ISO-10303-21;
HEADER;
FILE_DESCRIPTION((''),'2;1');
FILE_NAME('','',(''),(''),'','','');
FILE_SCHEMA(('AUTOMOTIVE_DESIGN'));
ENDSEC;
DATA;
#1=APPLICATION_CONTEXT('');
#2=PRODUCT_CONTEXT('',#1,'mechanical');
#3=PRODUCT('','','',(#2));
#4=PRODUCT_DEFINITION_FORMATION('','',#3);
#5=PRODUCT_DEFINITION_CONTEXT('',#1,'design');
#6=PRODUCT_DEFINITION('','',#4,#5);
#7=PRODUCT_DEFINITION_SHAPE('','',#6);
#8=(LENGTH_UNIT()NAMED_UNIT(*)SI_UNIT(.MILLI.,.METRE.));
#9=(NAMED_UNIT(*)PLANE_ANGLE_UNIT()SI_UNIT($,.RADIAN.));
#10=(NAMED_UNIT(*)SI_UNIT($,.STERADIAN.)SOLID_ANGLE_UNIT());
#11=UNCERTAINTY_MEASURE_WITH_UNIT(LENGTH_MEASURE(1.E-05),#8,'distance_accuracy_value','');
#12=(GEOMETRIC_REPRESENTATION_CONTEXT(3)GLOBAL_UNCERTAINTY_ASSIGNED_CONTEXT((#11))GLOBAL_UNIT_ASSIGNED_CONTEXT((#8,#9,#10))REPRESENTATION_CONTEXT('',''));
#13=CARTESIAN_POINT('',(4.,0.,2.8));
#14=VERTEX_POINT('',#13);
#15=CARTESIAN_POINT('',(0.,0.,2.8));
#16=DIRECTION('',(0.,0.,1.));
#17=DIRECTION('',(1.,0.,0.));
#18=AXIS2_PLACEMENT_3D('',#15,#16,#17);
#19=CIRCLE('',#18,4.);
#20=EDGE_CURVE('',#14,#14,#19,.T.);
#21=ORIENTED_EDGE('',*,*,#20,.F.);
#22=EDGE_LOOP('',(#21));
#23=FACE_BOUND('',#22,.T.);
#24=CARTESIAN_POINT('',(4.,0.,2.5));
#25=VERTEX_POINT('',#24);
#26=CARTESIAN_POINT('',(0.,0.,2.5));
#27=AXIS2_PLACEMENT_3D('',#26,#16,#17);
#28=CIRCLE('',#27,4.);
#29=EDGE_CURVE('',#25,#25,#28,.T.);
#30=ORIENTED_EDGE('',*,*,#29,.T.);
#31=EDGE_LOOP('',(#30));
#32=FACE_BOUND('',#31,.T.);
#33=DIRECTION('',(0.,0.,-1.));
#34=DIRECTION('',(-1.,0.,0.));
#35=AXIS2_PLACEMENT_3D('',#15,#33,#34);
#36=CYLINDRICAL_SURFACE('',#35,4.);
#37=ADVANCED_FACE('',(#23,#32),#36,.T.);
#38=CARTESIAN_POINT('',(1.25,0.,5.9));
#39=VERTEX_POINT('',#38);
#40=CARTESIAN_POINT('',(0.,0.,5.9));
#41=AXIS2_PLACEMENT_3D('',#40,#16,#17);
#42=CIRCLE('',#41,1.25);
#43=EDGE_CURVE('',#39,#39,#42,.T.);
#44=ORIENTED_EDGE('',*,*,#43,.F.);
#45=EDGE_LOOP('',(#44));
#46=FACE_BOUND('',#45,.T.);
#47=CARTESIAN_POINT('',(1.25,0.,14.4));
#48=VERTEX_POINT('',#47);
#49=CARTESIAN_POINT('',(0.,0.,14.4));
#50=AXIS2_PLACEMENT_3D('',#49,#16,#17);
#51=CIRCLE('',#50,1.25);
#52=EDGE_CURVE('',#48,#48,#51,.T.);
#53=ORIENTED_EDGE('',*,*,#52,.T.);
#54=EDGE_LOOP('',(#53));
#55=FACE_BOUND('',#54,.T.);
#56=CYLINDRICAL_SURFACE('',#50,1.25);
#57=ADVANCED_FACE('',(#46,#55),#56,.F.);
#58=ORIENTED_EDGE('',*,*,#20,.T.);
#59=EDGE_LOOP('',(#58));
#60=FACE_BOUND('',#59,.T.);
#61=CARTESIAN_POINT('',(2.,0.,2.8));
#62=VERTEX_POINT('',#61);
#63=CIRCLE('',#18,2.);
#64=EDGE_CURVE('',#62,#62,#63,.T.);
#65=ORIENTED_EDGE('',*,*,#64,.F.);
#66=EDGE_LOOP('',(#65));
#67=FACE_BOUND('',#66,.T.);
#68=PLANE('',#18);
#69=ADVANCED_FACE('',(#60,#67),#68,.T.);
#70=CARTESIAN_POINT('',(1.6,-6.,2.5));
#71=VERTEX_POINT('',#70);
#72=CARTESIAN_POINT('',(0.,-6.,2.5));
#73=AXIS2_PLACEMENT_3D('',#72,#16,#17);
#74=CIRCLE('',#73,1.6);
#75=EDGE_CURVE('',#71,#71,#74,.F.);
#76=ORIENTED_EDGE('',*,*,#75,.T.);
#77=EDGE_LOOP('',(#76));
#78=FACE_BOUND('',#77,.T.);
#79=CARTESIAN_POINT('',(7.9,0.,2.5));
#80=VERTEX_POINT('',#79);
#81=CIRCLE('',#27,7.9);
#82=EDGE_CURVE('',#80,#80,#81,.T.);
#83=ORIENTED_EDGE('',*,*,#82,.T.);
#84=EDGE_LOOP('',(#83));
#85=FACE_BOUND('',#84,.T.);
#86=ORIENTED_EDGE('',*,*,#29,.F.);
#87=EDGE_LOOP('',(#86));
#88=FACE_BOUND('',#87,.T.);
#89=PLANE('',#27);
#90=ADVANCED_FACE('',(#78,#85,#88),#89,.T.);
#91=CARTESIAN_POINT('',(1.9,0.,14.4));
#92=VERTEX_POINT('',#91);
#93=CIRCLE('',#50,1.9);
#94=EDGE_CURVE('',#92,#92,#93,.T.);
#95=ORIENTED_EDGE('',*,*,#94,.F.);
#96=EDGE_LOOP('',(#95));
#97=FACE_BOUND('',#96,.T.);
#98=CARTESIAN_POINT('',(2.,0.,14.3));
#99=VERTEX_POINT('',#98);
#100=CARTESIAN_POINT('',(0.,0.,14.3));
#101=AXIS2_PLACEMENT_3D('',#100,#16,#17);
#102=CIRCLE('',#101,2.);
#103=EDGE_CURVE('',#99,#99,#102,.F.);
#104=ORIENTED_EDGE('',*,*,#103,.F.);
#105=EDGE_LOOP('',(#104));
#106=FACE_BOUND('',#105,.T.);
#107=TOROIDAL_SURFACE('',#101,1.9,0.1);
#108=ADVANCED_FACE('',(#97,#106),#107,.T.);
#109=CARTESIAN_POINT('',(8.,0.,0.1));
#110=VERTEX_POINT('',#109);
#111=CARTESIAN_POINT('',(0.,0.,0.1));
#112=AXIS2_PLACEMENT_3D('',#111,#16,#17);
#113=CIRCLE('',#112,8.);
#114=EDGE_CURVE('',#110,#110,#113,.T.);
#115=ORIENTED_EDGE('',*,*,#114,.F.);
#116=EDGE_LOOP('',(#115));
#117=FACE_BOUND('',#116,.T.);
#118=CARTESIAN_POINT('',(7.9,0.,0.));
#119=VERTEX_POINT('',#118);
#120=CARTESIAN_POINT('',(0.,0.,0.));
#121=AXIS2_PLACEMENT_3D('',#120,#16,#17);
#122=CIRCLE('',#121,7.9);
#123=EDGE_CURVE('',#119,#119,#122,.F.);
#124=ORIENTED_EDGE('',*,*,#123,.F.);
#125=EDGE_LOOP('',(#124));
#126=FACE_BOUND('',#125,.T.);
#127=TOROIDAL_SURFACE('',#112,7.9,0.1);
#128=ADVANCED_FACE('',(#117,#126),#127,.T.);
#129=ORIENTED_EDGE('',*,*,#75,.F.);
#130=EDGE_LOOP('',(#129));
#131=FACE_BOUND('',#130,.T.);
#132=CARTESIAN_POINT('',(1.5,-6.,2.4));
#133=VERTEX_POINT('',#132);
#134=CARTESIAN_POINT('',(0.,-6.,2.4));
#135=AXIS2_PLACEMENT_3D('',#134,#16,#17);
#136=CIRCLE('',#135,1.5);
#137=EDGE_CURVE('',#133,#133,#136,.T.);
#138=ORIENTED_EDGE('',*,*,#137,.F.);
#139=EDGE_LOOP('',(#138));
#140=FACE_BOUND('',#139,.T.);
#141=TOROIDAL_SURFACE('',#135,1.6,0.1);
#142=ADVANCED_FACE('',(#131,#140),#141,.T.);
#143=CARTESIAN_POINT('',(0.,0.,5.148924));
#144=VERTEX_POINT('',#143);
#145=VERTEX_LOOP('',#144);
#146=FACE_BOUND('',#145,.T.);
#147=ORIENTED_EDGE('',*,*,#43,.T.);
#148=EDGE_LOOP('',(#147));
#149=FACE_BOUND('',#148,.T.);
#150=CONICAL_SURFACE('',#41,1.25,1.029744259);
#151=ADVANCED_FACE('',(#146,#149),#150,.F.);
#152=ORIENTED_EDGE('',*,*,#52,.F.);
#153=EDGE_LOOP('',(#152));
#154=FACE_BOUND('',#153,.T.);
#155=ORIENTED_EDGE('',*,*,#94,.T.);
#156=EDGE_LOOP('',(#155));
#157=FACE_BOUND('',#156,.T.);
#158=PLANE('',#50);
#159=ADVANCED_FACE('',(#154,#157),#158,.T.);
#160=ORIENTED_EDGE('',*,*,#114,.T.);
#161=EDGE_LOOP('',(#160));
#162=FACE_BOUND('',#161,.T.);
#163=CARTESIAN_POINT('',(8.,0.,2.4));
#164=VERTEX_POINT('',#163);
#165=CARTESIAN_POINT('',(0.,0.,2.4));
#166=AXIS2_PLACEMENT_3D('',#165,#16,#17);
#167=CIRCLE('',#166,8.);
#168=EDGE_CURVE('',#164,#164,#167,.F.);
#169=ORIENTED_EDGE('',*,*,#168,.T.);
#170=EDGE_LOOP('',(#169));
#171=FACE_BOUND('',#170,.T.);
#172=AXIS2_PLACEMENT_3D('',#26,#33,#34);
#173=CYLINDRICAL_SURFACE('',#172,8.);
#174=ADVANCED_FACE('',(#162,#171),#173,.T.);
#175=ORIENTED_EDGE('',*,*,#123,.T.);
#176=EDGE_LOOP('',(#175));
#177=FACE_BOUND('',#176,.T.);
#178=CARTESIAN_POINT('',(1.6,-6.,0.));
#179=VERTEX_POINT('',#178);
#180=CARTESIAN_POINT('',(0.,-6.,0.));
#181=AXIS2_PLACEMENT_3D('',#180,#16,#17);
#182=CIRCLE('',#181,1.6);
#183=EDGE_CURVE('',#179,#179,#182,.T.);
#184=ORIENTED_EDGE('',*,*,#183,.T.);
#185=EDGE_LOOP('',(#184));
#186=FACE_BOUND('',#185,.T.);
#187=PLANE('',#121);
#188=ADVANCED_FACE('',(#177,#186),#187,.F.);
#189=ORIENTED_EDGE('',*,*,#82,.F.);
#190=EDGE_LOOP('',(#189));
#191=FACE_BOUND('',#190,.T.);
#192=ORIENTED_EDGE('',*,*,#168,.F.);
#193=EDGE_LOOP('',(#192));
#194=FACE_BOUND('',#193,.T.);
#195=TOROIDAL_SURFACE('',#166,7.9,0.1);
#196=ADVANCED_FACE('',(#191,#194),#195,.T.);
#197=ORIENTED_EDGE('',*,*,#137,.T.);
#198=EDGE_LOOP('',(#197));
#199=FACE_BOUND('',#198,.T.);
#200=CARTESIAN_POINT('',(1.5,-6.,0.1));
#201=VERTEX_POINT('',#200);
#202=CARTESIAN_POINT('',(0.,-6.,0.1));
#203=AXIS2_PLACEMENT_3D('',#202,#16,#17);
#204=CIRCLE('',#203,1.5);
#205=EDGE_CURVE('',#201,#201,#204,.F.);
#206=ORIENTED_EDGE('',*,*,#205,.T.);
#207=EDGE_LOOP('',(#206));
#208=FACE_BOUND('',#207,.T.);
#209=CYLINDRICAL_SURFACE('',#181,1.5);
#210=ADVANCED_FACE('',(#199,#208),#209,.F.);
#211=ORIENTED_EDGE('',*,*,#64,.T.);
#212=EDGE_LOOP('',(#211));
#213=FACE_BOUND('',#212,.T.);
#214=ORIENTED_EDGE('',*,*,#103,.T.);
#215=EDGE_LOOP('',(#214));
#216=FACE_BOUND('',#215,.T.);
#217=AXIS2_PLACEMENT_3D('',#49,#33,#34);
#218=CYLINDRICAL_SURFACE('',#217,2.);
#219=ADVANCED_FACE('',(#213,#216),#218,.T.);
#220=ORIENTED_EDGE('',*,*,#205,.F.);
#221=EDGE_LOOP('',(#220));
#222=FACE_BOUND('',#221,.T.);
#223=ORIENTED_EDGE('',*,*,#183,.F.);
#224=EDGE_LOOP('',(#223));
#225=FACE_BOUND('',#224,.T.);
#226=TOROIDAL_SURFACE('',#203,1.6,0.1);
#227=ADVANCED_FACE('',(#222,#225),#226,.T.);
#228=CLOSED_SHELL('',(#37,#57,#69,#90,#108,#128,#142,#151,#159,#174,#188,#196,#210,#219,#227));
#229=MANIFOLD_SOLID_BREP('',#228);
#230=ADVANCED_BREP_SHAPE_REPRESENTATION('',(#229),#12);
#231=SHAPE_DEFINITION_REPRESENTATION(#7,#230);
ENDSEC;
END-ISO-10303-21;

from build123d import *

# Parameters (mm, degrees)
SKETCH1_R                 = 8
BOSS_EXTRUDE1_DEPTH       = 2.5
SKETCH3_R                 = 4
BOSS_EXTRUDE2_DEPTH       = 0.3
SKETCH4_R                 = 2
BOSS_EXTRUDE3_DEPTH       = 11.6
M3X0_5_TAPPED_HOLE1_D     = 2.5
M3X0_5_TAPPED_HOLE1_DEPTH = 8.5
M3X0_5_TAPPED_HOLE1_TIP   = 0.751075774
SKETCH7_R                 = 1.5
CUT_EXTRUDE1_DEPTH        = 12.9
CUT_EXTRUDE1_DEPTH_BACK   = 3.5
FILLET1_R                 = 0.1


with BuildPart() as part:
    # Sketch1 → Boss-Extrude1 (new body)
    with BuildSketch(Plane.XY):
        Circle(SKETCH1_R)
    extrude(amount=BOSS_EXTRUDE1_DEPTH)

    # Sketch3 → Boss-Extrude2 (add)
    with BuildSketch(Plane.XY.offset(2.5)):
        Circle(SKETCH3_R)
    extrude(amount=BOSS_EXTRUDE2_DEPTH)

    # Sketch4 → Boss-Extrude3 (add)
    with BuildSketch(Plane.XY.offset(2.8)):
        Circle(SKETCH4_R)
    extrude(amount=BOSS_EXTRUDE3_DEPTH)

    # M3x0.5 Tapped Hole1
    with Locations(Plane.XY.offset(14.4)):
        with Locations((0, 0)):
            Hole(M3X0_5_TAPPED_HOLE1_D / 2, depth=M3X0_5_TAPPED_HOLE1_DEPTH)
            with Locations((0, 0, -(M3X0_5_TAPPED_HOLE1_DEPTH + M3X0_5_TAPPED_HOLE1_TIP / 2))):  # 118° drill point
                Cone(0, M3X0_5_TAPPED_HOLE1_D / 2, M3X0_5_TAPPED_HOLE1_TIP, mode=Mode.SUBTRACT)

    # Sketch7 → Cut-Extrude1 (cut, two sides)
    with BuildSketch(Plane.XY.offset(2.5)) as cut_extrude1_sk:
        with Locations((0, -6)):
            Circle(SKETCH7_R)
    extrude(amount=CUT_EXTRUDE1_DEPTH, mode=Mode.SUBTRACT)
    extrude(cut_extrude1_sk.sketch, amount=-CUT_EXTRUDE1_DEPTH_BACK, mode=Mode.SUBTRACT)

    # Fillet1
    fillet1_edges = [part.edges().sort_by_distance(p)[0] for p in [
        (-2, 0, 14.4),
        (-8, 0, 0),
        (-1.5, -6, 2.5),
        (-1.5, -6, 0),
        (-8, 0, 2.5),
    ]]
    fillet(fillet1_edges, radius=FILLET1_R)


solid = part.part
